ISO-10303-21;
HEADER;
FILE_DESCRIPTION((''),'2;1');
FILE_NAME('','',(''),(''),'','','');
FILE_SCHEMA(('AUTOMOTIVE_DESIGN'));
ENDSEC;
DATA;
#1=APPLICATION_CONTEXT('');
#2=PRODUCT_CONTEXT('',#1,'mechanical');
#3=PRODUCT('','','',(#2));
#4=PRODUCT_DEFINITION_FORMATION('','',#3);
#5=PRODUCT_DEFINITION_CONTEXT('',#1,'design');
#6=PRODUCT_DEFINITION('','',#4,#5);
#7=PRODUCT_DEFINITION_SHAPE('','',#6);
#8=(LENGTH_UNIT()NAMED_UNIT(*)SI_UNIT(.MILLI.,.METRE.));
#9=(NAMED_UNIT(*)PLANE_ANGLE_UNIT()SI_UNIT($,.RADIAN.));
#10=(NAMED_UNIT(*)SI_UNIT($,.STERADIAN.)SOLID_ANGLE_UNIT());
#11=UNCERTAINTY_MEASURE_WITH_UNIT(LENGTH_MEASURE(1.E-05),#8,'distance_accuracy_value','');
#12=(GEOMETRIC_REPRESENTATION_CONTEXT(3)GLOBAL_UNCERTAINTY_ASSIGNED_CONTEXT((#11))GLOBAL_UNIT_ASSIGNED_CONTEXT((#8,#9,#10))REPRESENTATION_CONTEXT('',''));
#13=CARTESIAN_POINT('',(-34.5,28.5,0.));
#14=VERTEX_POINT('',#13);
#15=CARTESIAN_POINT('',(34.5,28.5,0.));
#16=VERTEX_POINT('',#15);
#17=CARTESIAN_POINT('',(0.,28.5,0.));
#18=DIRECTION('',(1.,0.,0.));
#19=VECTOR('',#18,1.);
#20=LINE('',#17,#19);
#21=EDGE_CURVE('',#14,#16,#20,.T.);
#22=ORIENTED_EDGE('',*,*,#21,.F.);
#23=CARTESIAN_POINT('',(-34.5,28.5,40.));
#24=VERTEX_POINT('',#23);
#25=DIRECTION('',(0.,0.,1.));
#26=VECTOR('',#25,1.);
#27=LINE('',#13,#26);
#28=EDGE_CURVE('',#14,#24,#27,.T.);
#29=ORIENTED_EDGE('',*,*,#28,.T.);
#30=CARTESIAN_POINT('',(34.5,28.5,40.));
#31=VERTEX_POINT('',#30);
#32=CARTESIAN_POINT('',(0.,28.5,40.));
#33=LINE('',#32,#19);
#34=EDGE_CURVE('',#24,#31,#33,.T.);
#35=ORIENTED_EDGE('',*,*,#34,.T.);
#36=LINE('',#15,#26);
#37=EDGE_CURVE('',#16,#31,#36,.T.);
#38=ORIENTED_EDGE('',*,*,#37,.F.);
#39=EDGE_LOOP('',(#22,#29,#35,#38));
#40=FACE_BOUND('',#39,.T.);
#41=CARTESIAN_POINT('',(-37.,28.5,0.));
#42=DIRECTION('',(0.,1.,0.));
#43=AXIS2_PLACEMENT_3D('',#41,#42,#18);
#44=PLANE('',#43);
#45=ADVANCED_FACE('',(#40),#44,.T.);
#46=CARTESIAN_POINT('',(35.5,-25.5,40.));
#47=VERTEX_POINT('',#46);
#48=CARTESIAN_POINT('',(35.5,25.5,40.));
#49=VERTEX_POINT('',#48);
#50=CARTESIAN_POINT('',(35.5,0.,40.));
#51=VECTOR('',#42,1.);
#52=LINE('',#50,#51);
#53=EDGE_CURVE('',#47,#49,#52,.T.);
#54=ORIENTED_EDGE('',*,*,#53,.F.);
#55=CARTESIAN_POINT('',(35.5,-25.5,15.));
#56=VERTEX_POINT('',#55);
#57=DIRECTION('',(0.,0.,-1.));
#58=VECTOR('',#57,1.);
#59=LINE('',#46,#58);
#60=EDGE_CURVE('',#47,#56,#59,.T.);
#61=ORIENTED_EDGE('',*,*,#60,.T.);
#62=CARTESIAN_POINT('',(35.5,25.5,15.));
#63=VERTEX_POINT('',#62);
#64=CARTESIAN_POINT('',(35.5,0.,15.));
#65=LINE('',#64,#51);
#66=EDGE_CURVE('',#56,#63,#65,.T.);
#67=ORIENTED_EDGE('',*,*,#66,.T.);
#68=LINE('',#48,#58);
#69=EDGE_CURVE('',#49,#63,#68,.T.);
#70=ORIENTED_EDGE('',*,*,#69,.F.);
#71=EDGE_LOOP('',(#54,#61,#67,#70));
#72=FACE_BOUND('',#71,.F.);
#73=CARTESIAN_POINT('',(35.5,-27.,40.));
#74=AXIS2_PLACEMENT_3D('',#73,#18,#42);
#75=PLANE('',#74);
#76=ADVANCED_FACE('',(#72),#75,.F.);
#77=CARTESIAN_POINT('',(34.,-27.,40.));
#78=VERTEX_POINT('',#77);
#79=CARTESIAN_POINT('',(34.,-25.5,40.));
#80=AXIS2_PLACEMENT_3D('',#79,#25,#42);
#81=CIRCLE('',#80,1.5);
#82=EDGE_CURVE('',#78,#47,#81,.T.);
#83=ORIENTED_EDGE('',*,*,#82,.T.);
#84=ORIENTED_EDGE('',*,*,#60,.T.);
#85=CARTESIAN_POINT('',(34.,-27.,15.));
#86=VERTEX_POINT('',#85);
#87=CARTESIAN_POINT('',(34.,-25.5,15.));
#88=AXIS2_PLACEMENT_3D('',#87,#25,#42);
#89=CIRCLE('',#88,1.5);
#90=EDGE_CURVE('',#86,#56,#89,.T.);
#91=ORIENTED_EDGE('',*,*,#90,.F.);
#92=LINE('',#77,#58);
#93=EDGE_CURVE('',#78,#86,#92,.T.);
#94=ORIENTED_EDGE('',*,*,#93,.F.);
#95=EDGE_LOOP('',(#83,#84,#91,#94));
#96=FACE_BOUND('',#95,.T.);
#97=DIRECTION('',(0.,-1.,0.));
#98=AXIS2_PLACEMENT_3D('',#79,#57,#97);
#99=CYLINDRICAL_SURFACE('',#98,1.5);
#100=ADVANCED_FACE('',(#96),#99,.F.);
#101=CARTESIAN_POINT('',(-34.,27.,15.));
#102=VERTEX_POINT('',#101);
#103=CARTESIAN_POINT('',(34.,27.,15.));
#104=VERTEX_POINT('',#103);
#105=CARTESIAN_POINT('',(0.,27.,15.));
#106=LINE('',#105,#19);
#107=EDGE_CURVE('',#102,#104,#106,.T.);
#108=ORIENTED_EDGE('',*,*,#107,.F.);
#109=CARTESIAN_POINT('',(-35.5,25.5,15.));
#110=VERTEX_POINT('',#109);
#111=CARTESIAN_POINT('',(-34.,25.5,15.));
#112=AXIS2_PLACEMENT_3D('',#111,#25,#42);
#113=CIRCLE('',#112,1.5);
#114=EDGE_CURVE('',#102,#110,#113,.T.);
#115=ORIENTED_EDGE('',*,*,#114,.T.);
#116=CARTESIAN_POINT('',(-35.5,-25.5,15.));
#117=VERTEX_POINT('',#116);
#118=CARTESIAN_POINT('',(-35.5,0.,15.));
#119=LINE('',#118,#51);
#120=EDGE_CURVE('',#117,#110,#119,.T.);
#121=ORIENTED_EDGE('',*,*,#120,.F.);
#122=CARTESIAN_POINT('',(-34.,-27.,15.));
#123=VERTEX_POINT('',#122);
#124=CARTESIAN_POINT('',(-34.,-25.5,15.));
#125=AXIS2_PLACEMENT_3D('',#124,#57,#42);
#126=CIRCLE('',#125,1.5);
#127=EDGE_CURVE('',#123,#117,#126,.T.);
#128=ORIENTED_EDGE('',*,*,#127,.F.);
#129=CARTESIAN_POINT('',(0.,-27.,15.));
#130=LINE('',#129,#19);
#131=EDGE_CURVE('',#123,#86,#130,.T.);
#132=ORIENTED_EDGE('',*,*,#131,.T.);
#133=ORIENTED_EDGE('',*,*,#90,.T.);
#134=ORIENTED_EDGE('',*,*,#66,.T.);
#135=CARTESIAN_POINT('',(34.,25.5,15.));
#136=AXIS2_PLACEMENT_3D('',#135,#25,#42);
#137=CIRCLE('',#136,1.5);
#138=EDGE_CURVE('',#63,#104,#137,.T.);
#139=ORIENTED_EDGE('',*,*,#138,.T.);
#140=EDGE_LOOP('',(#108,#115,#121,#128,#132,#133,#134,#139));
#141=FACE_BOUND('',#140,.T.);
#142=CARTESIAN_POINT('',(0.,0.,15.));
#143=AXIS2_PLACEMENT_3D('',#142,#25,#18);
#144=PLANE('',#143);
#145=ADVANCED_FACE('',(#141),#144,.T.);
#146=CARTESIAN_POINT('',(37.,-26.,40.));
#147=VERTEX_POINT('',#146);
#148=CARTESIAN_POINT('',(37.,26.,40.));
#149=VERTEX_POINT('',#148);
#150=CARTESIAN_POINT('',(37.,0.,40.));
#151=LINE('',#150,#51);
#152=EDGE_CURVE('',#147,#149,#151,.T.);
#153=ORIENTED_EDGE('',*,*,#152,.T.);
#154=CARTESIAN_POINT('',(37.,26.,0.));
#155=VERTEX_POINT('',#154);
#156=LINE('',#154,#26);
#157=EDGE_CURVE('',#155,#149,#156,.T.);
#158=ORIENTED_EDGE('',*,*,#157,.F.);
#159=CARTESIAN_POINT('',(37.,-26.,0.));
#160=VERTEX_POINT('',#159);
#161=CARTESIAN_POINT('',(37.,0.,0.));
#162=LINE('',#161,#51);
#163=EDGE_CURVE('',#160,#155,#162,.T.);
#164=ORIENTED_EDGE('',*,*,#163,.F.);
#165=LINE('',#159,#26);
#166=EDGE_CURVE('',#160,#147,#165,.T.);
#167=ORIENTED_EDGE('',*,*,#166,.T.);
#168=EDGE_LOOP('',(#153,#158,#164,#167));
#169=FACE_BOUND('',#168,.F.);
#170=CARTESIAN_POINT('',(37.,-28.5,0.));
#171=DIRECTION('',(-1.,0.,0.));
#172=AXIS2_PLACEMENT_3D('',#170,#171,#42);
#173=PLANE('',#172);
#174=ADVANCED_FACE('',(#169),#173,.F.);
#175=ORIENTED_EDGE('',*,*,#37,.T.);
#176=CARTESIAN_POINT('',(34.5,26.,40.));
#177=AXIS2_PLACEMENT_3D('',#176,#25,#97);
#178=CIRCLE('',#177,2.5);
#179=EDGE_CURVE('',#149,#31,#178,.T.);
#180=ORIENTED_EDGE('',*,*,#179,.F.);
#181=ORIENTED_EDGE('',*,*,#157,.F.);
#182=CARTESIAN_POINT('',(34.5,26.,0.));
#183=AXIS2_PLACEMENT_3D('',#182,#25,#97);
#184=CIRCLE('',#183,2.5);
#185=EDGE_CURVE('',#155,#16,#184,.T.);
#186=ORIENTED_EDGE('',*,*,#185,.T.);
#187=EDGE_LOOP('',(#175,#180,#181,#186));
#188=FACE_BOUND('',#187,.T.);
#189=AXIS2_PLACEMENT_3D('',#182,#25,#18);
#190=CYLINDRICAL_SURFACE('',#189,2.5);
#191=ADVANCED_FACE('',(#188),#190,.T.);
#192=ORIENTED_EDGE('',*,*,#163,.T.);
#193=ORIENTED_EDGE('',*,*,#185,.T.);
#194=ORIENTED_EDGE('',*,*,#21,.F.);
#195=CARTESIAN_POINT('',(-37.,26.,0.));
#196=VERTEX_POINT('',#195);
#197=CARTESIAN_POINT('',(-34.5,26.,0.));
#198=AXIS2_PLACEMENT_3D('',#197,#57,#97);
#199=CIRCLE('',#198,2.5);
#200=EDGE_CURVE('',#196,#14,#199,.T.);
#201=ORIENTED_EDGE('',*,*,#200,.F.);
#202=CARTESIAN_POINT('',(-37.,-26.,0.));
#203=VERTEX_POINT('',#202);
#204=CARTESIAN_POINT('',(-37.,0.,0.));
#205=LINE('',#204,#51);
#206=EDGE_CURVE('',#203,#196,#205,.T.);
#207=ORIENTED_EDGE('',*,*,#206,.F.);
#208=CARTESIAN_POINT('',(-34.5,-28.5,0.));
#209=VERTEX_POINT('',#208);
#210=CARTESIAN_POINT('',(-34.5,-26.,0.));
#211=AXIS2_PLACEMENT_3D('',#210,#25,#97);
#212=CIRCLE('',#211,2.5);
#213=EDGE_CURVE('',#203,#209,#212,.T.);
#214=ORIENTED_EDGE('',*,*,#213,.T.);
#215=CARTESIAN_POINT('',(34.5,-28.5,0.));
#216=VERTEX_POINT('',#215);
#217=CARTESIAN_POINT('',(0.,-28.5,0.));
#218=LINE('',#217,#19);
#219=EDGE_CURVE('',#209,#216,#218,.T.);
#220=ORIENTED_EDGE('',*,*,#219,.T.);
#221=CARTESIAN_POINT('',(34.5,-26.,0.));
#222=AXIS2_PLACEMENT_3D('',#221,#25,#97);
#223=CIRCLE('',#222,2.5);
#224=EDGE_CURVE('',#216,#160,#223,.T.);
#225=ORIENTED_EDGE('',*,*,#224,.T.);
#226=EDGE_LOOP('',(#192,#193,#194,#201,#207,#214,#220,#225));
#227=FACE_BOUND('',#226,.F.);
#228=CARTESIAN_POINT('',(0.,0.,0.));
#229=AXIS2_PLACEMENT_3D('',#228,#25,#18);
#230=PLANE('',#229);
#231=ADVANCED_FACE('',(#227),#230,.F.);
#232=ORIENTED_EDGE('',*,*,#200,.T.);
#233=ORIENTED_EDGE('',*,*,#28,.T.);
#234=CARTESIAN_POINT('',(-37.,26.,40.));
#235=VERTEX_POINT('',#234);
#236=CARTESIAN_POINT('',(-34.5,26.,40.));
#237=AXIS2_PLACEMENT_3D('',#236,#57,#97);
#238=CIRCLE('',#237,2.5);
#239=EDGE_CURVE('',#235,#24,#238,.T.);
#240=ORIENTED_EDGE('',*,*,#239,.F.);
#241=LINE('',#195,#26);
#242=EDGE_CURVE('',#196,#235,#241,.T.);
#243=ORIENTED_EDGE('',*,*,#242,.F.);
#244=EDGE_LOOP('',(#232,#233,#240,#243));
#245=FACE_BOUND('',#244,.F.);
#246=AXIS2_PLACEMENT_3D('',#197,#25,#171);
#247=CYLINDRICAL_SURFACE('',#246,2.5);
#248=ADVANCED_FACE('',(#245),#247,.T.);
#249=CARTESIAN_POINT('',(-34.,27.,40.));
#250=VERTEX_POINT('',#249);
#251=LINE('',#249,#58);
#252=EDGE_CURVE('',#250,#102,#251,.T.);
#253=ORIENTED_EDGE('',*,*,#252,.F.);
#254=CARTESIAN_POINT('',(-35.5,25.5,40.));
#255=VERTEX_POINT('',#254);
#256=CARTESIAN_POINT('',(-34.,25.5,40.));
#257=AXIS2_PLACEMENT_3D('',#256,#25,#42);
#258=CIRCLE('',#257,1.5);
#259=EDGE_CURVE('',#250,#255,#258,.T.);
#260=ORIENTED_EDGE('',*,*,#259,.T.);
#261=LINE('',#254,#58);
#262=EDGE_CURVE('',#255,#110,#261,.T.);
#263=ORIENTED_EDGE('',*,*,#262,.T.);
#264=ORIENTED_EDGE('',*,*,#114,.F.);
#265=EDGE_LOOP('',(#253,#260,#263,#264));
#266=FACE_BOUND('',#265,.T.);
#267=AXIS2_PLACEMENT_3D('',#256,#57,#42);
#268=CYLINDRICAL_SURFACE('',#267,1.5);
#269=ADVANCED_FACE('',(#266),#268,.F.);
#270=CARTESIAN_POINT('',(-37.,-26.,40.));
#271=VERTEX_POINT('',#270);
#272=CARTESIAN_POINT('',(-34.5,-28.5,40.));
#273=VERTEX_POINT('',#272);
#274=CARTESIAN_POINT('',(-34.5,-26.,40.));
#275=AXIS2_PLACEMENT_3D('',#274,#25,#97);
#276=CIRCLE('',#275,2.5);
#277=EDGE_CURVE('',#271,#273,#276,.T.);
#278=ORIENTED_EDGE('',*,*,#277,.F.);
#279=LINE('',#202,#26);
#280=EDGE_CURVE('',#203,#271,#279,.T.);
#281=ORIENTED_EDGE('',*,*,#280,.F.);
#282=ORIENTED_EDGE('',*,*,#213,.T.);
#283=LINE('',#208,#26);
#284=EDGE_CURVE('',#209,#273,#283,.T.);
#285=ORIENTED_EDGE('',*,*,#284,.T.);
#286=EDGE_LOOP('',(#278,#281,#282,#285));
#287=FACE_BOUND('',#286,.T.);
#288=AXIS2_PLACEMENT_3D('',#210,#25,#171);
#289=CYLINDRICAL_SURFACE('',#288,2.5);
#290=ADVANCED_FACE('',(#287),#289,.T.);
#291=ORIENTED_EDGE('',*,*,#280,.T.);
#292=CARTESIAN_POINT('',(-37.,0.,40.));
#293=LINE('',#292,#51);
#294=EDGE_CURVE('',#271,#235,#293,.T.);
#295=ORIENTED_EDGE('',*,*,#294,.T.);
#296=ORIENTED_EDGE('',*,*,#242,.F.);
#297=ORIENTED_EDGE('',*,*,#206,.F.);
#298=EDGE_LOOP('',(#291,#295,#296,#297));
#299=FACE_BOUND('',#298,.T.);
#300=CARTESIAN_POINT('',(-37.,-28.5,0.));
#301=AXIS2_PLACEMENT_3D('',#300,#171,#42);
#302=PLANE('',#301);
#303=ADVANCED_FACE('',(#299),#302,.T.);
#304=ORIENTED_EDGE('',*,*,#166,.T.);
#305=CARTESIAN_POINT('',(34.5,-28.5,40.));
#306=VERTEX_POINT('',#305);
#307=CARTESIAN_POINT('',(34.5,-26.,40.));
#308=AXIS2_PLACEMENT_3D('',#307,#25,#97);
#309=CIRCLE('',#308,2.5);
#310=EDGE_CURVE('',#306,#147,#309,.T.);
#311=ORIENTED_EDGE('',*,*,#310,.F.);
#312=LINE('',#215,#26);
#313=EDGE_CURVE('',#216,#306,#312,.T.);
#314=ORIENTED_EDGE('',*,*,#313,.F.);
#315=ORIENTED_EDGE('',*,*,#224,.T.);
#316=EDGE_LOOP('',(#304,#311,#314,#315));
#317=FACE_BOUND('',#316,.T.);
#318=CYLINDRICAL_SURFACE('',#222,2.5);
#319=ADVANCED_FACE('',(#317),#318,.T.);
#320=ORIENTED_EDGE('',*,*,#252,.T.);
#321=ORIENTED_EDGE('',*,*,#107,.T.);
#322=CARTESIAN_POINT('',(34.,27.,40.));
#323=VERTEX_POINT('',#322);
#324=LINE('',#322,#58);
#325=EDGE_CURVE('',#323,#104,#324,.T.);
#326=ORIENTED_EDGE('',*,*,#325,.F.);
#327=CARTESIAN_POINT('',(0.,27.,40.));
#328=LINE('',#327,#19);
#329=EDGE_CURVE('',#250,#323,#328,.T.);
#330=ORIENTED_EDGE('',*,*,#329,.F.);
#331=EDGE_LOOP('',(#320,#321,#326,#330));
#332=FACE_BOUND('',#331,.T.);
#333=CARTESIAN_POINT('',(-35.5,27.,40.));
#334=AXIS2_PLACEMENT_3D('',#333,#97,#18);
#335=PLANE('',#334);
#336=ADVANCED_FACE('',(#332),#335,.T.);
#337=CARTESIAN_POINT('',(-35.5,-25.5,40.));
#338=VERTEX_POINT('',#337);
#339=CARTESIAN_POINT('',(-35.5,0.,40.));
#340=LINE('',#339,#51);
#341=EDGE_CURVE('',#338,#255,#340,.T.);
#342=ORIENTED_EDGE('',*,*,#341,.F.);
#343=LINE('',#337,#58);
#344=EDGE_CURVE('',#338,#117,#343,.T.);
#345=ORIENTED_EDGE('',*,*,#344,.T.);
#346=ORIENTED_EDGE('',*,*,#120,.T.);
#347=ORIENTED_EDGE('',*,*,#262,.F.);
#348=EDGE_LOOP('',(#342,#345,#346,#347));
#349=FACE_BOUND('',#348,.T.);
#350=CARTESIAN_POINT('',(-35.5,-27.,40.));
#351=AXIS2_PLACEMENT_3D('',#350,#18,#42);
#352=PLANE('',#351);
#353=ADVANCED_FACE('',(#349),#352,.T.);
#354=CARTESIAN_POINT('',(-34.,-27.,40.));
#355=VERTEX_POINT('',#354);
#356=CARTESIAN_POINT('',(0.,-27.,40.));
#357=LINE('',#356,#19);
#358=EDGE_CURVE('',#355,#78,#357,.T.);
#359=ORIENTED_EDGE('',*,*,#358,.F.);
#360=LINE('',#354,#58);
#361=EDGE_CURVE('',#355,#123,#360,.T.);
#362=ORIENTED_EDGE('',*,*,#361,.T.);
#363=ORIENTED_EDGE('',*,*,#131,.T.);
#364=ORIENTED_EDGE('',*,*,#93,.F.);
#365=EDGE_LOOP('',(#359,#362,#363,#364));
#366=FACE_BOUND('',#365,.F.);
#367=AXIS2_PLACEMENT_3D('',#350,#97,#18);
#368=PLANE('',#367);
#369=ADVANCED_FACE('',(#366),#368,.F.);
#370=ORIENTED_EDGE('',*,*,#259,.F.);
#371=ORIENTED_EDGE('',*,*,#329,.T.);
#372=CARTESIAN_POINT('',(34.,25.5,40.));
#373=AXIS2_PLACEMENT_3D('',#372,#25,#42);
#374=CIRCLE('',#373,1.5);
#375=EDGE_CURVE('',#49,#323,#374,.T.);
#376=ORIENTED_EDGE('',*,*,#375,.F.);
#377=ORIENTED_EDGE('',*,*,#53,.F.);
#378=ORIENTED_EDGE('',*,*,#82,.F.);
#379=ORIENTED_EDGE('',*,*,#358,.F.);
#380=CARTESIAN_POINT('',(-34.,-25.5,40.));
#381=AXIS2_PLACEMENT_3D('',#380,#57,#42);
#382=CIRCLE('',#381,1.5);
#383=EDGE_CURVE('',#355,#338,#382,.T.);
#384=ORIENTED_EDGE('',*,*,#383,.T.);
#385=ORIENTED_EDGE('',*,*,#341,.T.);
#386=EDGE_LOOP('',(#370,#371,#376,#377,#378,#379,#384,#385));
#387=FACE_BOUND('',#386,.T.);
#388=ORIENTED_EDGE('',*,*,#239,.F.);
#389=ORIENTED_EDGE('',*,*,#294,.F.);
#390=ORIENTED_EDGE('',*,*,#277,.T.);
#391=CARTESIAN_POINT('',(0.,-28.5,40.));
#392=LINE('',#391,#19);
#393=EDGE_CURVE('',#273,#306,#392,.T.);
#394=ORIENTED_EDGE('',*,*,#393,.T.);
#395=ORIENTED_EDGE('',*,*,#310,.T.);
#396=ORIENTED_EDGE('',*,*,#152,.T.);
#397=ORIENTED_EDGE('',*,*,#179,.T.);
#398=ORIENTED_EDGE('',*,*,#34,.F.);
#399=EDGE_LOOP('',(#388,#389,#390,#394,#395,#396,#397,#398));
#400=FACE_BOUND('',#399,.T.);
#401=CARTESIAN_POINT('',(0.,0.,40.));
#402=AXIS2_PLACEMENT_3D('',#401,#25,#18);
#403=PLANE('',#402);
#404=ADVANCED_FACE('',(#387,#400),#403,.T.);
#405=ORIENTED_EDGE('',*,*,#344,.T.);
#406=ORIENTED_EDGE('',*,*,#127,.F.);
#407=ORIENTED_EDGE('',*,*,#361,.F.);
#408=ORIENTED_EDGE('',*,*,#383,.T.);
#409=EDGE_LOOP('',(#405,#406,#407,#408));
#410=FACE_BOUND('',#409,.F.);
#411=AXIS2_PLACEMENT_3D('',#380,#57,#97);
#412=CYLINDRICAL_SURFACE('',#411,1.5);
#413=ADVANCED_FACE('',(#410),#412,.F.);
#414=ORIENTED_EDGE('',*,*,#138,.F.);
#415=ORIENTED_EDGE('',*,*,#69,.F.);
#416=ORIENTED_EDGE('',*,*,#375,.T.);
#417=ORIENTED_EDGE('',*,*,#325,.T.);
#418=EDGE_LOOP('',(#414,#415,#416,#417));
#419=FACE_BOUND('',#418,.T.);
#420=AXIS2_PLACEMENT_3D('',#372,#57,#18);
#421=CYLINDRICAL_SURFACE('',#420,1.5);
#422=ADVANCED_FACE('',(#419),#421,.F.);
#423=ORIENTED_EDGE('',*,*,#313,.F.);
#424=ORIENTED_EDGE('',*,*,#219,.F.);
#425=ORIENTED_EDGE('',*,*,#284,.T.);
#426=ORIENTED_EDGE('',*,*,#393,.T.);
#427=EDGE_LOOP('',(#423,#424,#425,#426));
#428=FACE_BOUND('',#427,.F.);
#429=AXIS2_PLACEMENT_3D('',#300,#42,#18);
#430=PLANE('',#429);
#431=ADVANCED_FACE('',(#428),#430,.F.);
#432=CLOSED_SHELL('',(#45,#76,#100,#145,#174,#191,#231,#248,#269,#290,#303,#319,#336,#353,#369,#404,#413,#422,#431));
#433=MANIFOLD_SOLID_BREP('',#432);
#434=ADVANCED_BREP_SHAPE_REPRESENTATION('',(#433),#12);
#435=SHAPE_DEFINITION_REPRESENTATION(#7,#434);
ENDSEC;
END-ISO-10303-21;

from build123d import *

# Parameters (mm, degrees)
F0_W     = 74
F0_H     = 57
F1_DEPTH = 40
F2_R     = 2.5
F3_W     = 71
F3_H     = 54
F4_DEPTH = 25
F5_R     = 1.5


with BuildPart() as f1:
    # F0 (on Top) → F1 (new body)
    with BuildSketch(Plane.XY):
        Rectangle(F0_W, F0_H)
    extrude(amount=F1_DEPTH)

    # F2
    f2_edges = [f1.edges().sort_by_distance(p)[0] for p in [
        (37, 28.5, 20),
        (37, -28.5, 20),
        (-37, -28.5, 20),
        (-37, 28.5, 20),
    ]]
    fillet(f2_edges, radius=F2_R)

    # F3 (on face) → F4 (cut)
    with BuildSketch(Plane.XY.offset(40)):
        Rectangle(F3_W, F3_H)
    extrude(amount=-F4_DEPTH, mode=Mode.SUBTRACT)

    # F5
    f5_edges = [f1.edges().sort_by_distance(p)[0] for p in [
        (35.5, -27, 27.5),
        (-35.5, -27, 27.5),
        (-35.5, 27, 27.5),
        (35.5, 27, 27.5),
    ]]
    fillet(f5_edges, radius=F5_R)


solid = f1.part
